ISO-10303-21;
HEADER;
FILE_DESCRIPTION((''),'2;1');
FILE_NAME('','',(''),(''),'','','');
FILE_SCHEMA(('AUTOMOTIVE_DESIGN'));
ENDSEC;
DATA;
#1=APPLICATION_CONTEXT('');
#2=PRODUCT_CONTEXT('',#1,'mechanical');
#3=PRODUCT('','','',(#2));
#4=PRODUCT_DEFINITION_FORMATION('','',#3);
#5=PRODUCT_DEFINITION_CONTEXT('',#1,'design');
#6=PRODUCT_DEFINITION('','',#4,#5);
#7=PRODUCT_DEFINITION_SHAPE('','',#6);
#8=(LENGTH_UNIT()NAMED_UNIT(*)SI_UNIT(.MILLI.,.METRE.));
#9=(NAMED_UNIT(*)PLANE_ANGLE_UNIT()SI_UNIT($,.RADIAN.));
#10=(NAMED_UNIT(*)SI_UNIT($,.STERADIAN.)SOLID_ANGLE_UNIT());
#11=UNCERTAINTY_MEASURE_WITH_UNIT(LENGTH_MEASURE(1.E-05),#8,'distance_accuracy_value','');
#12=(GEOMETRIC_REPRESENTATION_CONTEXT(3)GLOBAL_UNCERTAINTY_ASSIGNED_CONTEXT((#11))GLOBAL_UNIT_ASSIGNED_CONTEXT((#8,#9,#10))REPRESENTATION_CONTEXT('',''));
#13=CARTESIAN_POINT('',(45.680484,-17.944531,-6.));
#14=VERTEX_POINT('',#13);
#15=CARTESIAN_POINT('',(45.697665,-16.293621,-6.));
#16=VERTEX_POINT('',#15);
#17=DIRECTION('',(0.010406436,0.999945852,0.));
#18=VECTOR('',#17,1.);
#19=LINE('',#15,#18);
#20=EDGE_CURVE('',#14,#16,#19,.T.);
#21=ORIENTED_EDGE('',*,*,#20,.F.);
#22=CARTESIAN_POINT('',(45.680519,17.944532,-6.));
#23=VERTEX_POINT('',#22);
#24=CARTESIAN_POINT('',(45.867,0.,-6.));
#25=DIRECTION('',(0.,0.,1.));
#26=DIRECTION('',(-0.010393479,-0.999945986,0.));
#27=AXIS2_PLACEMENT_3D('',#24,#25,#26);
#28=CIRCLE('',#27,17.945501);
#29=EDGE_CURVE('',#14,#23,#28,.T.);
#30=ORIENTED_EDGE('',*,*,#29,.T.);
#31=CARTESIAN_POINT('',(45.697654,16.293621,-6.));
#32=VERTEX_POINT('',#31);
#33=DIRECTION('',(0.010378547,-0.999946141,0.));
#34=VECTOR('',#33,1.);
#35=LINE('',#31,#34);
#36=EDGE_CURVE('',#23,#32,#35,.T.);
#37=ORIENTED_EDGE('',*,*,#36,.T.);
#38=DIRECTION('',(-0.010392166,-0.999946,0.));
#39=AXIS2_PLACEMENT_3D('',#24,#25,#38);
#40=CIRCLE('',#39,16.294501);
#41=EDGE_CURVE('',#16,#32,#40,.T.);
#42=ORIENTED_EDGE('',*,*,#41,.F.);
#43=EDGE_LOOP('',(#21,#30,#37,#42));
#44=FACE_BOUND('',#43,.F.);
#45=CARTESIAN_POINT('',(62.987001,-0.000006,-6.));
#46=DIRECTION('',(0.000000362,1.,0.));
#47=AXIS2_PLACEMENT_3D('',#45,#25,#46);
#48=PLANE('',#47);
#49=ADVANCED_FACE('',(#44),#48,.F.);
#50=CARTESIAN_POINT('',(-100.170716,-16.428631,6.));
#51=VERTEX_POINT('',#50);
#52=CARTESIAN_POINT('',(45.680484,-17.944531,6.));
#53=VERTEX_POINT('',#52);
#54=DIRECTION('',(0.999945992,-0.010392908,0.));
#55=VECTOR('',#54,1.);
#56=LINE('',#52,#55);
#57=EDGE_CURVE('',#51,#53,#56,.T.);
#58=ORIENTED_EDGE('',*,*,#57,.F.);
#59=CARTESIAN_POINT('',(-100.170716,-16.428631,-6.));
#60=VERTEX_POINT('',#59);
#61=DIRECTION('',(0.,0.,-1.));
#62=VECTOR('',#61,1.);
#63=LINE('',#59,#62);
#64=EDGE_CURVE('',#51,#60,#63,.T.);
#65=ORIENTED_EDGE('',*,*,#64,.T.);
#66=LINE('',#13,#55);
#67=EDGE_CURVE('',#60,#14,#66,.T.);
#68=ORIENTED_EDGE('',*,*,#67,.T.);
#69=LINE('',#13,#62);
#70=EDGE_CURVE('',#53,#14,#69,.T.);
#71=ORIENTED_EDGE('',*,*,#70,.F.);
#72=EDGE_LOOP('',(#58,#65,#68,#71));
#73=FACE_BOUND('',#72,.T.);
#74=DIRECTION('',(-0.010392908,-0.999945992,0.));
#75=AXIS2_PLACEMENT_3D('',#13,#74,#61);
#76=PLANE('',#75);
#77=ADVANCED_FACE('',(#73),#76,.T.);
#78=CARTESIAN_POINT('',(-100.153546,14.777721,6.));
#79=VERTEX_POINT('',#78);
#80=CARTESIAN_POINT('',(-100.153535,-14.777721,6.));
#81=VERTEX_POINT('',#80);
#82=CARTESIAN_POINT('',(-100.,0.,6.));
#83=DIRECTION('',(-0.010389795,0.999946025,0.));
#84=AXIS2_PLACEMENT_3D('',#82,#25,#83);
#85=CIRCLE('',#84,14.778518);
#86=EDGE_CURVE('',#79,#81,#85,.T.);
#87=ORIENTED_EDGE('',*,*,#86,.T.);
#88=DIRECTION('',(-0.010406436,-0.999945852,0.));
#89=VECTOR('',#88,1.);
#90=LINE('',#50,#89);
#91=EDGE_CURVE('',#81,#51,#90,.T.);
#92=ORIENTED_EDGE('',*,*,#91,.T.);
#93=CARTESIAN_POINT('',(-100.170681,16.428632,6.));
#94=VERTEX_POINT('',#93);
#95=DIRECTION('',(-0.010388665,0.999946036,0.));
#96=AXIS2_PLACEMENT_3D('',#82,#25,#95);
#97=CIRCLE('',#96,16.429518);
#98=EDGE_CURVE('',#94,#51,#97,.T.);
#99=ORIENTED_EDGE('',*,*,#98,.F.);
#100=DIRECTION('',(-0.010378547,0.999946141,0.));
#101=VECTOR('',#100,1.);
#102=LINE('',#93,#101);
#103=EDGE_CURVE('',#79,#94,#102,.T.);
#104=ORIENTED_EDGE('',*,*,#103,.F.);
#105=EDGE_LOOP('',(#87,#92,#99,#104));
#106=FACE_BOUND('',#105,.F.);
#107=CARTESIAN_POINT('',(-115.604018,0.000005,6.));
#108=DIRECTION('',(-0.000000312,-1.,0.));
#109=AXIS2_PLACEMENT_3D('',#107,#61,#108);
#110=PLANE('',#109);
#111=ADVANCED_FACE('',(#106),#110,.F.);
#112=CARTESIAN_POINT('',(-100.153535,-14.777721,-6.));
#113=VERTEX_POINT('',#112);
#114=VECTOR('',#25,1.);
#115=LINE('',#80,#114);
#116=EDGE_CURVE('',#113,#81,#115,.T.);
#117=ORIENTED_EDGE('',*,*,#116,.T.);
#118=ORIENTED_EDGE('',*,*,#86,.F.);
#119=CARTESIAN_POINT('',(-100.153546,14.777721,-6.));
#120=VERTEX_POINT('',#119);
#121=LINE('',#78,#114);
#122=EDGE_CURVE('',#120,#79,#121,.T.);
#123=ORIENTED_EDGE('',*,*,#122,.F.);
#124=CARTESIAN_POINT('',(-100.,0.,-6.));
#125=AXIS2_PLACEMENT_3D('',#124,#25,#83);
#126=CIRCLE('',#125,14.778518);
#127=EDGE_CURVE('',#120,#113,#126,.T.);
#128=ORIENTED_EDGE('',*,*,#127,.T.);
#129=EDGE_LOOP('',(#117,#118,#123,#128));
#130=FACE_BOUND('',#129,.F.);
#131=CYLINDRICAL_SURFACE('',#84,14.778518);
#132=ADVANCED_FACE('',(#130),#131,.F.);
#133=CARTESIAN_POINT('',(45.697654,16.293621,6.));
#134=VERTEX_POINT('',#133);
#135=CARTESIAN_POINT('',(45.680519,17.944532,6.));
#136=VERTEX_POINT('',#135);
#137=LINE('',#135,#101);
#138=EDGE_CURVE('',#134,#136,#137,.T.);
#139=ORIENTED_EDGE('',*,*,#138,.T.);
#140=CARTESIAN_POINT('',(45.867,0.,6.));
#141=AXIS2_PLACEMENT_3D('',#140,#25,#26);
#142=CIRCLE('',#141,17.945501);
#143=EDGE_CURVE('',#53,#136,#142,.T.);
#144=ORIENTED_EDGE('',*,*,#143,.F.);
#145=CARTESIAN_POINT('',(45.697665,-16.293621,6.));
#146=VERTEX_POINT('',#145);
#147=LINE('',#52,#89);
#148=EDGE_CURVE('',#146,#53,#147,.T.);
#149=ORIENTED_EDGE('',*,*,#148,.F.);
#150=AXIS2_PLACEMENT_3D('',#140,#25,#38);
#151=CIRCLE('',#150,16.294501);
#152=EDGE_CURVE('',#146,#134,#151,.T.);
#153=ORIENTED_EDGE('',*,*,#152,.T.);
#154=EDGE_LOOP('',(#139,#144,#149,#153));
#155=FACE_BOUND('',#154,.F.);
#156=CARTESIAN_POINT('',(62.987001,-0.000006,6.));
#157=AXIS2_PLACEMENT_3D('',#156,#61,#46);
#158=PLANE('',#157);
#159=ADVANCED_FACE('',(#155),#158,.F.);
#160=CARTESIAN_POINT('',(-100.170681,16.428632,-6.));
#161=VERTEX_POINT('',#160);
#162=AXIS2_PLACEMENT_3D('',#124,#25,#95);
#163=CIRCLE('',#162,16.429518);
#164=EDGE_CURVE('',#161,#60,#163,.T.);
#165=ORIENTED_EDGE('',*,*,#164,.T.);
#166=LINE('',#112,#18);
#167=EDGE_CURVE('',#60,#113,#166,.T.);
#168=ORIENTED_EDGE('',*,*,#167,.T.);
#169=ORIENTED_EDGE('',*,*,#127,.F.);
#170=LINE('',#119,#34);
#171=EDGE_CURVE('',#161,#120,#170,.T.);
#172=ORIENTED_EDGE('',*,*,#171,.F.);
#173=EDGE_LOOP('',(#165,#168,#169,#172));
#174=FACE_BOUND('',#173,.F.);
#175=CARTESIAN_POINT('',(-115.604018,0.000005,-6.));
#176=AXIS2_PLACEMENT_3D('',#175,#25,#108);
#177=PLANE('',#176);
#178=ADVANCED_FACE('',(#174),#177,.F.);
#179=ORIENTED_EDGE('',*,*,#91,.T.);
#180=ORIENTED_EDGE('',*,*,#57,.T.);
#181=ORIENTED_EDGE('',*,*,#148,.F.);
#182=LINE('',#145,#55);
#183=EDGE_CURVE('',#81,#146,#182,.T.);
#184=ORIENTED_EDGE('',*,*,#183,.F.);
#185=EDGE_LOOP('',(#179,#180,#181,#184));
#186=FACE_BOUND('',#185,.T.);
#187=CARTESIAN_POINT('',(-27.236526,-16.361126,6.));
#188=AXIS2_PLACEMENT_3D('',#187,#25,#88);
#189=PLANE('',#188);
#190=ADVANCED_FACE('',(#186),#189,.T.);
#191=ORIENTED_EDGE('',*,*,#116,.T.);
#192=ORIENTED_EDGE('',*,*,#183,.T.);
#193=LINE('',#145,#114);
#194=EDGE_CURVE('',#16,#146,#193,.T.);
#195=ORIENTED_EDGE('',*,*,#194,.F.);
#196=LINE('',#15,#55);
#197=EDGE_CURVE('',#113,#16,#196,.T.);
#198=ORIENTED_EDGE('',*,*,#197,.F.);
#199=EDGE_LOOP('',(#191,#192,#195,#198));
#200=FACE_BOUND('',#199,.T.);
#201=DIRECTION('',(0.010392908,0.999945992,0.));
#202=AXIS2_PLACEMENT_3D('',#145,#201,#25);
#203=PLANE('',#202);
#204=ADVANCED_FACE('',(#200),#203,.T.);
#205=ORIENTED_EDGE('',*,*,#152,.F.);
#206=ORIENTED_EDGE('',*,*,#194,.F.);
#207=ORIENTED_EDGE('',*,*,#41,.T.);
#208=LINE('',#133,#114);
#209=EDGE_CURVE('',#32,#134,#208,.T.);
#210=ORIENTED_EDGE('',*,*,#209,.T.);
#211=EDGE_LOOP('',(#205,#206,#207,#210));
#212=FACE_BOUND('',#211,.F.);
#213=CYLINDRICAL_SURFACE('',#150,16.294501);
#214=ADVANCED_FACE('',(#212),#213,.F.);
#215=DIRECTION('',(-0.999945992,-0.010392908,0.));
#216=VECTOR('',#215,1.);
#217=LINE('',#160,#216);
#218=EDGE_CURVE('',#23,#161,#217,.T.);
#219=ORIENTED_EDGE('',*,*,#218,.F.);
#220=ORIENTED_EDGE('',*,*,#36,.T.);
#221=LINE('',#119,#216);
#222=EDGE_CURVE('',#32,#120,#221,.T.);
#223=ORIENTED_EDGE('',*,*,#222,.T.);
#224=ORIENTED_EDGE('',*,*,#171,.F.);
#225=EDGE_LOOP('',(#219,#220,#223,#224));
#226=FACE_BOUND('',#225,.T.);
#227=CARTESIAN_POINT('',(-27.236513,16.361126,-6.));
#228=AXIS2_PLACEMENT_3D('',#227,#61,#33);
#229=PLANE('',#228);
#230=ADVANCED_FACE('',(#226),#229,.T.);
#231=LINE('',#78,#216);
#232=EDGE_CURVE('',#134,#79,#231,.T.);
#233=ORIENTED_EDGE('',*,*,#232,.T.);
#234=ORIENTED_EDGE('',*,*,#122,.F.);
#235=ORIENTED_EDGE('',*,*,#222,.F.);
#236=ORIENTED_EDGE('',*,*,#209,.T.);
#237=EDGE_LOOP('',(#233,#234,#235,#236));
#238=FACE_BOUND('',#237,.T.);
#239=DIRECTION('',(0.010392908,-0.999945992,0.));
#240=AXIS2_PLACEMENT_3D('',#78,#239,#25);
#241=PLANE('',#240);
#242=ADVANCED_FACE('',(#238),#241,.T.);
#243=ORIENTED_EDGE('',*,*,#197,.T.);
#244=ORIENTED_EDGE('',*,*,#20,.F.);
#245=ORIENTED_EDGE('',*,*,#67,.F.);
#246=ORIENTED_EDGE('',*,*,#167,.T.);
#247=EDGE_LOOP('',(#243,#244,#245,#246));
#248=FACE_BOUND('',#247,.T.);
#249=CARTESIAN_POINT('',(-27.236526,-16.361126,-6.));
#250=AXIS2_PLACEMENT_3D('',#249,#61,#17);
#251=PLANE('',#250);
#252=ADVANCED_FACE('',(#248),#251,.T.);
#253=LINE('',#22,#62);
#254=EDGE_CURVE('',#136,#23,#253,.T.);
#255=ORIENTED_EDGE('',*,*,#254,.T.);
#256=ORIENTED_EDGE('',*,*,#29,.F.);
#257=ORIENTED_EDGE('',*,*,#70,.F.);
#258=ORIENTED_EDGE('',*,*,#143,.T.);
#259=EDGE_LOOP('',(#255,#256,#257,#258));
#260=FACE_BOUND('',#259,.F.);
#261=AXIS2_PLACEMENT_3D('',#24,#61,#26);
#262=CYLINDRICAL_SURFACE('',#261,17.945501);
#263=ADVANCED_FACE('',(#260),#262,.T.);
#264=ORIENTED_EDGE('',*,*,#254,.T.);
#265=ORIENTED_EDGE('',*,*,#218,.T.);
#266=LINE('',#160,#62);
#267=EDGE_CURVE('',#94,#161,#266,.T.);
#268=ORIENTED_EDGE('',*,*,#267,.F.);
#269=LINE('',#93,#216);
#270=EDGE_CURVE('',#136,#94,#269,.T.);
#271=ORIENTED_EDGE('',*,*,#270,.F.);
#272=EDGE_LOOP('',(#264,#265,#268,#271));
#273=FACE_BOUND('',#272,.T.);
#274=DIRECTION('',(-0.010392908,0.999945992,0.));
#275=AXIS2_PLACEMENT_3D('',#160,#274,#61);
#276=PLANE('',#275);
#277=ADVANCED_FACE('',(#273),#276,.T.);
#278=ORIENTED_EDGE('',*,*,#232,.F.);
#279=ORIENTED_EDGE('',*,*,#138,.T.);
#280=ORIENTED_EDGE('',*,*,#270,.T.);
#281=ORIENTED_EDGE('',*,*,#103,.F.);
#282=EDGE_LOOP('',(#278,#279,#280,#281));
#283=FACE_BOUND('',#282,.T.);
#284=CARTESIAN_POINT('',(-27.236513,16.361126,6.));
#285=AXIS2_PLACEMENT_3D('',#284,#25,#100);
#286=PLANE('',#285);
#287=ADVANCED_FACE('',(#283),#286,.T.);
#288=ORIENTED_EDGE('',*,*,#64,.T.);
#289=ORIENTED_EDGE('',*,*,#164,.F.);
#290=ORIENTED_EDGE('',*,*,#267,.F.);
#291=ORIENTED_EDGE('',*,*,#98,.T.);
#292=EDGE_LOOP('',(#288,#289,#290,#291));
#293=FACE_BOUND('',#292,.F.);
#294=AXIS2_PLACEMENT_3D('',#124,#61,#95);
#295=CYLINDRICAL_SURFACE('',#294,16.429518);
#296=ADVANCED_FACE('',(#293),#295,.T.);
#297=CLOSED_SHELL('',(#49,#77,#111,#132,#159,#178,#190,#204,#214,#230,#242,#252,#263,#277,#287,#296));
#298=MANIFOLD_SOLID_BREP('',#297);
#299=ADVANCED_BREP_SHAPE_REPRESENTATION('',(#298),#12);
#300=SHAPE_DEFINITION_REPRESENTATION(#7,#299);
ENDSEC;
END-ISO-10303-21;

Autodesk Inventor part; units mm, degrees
sketch "Sketch Path" plane through (0, 0, 0) normal (0, 0, 1) x (1, 0, 0)
  arc A0 (-100.1575, 15.1587) -> (-100.1575, -15.1587) centre (-100, 0) ccw
  arc A1 (45.6937, -16.6746) -> (45.6937, 16.6746) centre (45.867, 0) ccw
  line L0 (45.6937, -16.6746) -> (-100.1575, -15.1587)
  line L1 (-100.1575, 15.1587) -> (45.6937, 16.6746)
ref_plane "Cross Section Plane" through (-100.1575, -15.1587, 0) normal (0.9999, -0.0104, 0) x (0, 0, 1)
ref_plane "Work Plane2" through (-100, 0, 0) normal (-1, 0, 0) x (0, 0, 1)
ref_plane "Work Plane3" through (45.867, 0, 0) normal (-0.9244, 0.3814, 0) x (0, 0, 1)
sketch "Cross Section" plane through (-100.1575, -15.1587, 0) normal (0.9999, -0.0104, 0) x (0, 0, 1)
  line L0 (-6, 1.27) -> (6, 1.27)
  line L1 (6, 1.27) -> (6, -0.381)
  line L2 (6, -0.381) -> (-6, -0.381)
  line L3 (-6, -0.381) -> (-6, 1.27)
  line L4 (-6, 0) -> (6, 0) construction
  point P0 (0, 0)
  point P1 (0, 0)
  dimension "d0" = 12
  dimension "d4" = 0.381
  dimension "d5" = 1.27
sweep "Belt" add profiles "Cross Section" path "Sketch Path"
equation "\"d4\" = da_a"
equation "\"d5\" = da_a2"
equation "\"da_B\" = 19.05"
equation "\"da_pb\" = 9.525"
equation "\"da_L\" = 391.76225"
equation "\"da_a\" = 0.381"
equation "\"da_S\" = 4.6482"
equation "\"da_Beta\" = 20deg"
equation "\"da_Ht\" = 1.905"
equation "\"da_H\" = 3.556"
equation "\"da_a2\" = 1.27"
properties part number "Synchronous Belt" material "Rubber"
